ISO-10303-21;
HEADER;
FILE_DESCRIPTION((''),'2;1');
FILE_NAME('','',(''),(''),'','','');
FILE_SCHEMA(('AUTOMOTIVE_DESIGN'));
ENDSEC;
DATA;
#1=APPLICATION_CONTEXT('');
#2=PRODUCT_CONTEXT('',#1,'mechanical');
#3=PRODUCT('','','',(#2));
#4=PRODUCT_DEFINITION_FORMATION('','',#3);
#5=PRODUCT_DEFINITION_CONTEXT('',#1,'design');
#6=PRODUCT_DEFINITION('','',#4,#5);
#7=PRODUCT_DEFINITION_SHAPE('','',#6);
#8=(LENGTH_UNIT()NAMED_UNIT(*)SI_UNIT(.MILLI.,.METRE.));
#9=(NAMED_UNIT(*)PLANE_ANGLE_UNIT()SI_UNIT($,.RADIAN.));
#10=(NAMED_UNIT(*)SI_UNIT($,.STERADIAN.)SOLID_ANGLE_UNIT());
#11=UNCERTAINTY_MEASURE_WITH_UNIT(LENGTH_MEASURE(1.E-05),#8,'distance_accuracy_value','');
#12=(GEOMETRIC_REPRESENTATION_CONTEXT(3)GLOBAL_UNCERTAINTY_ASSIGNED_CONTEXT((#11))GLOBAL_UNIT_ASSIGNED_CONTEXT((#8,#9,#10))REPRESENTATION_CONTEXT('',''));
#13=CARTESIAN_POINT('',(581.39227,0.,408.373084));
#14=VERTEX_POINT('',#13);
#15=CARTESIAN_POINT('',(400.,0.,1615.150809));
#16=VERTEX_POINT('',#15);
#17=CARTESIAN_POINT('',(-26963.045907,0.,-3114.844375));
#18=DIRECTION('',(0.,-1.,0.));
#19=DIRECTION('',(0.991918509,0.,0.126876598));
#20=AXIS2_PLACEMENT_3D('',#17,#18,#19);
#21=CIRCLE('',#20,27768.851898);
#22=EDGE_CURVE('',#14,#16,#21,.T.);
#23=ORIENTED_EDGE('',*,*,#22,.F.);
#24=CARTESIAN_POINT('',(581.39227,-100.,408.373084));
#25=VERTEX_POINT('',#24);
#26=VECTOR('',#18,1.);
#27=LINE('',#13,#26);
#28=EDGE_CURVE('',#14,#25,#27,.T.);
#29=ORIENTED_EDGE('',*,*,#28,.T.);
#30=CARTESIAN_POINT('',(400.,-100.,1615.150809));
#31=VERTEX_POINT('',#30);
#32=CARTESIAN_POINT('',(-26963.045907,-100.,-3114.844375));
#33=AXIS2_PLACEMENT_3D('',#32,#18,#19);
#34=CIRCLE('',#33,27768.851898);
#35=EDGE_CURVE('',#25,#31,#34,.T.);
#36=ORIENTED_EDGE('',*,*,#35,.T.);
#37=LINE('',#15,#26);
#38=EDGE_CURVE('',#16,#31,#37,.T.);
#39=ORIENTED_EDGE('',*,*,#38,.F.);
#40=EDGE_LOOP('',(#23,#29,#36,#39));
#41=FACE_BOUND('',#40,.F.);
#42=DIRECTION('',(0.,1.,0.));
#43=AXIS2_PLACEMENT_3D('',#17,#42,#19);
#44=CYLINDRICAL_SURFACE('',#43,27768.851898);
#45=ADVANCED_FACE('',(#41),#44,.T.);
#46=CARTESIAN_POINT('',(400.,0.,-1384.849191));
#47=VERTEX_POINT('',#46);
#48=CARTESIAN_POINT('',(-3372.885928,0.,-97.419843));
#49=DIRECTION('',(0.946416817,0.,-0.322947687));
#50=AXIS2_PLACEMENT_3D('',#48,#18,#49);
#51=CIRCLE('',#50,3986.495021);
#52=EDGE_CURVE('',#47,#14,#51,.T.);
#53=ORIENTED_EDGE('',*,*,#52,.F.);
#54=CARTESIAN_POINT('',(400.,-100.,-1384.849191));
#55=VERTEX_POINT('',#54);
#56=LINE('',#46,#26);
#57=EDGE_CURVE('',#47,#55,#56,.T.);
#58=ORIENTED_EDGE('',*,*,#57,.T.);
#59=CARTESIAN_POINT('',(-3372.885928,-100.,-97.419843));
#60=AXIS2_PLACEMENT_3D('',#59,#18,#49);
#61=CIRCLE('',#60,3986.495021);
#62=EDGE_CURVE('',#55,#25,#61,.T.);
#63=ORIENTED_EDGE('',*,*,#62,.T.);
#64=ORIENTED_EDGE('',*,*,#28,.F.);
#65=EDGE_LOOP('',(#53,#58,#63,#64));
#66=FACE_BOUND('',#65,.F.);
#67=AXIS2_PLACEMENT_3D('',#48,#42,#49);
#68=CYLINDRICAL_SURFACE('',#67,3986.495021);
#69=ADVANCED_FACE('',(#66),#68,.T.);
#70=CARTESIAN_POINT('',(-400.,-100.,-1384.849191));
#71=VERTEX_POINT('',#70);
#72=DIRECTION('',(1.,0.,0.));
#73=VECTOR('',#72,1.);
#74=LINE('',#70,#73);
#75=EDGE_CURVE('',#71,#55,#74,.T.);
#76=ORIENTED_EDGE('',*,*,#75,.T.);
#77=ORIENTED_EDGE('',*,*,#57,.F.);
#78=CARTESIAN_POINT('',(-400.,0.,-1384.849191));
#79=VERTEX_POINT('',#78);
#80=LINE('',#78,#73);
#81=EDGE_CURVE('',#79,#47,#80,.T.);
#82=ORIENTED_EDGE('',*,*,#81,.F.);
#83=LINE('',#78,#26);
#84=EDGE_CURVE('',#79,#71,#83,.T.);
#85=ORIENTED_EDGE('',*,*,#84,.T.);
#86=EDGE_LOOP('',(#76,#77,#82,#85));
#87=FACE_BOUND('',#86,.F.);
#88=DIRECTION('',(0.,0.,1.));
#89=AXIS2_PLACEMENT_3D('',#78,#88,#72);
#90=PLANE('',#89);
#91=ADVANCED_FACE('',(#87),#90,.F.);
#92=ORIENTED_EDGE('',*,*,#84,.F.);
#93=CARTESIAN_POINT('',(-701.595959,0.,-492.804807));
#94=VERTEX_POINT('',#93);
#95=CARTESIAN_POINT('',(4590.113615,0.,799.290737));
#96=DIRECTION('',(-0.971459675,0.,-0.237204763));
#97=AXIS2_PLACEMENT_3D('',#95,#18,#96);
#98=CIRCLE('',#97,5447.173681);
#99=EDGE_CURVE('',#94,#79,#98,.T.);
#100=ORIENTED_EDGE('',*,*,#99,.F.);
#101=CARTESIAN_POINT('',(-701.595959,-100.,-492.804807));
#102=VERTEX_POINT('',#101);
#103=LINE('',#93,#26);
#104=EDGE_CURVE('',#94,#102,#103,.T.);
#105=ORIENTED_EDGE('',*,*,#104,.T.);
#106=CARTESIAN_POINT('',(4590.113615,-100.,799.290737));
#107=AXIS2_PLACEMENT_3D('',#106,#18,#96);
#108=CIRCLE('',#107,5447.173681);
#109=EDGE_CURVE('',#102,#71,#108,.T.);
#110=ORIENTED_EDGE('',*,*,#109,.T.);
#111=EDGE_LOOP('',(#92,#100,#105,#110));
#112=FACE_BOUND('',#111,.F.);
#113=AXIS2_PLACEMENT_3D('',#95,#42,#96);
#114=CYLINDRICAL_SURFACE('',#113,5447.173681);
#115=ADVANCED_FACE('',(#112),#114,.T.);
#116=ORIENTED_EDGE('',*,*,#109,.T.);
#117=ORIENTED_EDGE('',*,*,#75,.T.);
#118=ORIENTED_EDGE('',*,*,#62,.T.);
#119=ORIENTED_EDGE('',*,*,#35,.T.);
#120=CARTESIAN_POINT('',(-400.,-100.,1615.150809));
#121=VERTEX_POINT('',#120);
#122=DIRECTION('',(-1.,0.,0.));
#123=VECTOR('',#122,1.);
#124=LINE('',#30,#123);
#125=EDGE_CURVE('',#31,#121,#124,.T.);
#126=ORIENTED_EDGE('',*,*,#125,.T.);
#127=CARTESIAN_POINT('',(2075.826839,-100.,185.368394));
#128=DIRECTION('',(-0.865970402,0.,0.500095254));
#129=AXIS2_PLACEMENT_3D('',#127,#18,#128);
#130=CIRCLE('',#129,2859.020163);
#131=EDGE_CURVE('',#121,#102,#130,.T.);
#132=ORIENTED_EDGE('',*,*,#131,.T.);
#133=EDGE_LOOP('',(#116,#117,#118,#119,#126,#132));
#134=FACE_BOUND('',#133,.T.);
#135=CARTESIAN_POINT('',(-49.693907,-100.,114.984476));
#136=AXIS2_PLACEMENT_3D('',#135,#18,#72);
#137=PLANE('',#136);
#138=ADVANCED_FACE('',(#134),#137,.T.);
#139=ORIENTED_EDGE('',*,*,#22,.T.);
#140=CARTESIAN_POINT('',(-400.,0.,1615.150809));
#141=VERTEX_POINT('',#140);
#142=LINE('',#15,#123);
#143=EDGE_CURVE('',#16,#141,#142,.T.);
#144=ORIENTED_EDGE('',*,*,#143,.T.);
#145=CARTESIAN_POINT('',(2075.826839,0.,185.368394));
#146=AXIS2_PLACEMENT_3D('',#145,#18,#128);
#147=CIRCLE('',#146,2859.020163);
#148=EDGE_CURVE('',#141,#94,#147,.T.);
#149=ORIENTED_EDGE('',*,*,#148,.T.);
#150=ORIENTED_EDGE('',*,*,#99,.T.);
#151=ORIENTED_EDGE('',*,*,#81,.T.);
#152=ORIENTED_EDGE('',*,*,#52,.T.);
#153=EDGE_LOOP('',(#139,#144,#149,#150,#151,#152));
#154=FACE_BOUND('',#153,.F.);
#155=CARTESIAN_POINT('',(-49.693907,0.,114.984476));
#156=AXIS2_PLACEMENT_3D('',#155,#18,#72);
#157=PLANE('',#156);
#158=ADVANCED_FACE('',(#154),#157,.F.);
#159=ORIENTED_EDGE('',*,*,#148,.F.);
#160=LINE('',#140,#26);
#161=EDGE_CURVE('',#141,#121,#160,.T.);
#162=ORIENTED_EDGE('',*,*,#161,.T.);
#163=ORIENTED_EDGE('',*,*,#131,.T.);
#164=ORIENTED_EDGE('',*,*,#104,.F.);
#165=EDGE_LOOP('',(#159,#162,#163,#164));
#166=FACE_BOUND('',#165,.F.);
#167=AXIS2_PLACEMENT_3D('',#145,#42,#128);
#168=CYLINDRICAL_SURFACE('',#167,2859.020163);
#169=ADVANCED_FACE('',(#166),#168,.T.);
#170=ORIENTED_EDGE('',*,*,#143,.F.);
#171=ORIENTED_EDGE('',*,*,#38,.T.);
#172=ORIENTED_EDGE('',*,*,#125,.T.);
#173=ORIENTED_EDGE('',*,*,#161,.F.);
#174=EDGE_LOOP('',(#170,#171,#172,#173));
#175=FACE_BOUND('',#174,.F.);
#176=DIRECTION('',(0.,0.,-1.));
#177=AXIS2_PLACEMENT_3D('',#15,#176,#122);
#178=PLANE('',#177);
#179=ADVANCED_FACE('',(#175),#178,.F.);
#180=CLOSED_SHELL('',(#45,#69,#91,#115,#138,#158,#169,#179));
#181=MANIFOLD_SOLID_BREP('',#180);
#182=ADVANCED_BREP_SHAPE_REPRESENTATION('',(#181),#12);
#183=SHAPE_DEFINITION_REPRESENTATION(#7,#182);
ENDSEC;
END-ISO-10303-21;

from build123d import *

# Parameters (mm, degrees)
F2_DEPTH = 100


with BuildPart() as f2:
    # F1 (on Front) → F2 (new body)
    with BuildSketch(Plane.XZ):
        with BuildLine():
            ThreePointArc((-701.5959593986, -492.8048068177), (-570.1100061445, -945.3563029663), (-400, -1384.849190712))
            Line((-400, -1384.849190712), (400, -1384.849190712))
            ThreePointArc((400, -1384.849190712), (593.3689666076, -498.6238592129), (581.3922700849, 408.3730835481))
            ThreePointArc((581.3922700849, 408.3730835481), (497.3260903136, 1012.7585032914), (400, 1615.150809288))
            Line((400, 1615.150809288), (-400, 1615.150809288))
            ThreePointArc((-400, 1615.150809288), (-754.3722985404, 590.2994171477), (-701.5959593986, -492.8048068177))
        make_face()
    extrude(amount=F2_DEPTH)


solid = f2.part
